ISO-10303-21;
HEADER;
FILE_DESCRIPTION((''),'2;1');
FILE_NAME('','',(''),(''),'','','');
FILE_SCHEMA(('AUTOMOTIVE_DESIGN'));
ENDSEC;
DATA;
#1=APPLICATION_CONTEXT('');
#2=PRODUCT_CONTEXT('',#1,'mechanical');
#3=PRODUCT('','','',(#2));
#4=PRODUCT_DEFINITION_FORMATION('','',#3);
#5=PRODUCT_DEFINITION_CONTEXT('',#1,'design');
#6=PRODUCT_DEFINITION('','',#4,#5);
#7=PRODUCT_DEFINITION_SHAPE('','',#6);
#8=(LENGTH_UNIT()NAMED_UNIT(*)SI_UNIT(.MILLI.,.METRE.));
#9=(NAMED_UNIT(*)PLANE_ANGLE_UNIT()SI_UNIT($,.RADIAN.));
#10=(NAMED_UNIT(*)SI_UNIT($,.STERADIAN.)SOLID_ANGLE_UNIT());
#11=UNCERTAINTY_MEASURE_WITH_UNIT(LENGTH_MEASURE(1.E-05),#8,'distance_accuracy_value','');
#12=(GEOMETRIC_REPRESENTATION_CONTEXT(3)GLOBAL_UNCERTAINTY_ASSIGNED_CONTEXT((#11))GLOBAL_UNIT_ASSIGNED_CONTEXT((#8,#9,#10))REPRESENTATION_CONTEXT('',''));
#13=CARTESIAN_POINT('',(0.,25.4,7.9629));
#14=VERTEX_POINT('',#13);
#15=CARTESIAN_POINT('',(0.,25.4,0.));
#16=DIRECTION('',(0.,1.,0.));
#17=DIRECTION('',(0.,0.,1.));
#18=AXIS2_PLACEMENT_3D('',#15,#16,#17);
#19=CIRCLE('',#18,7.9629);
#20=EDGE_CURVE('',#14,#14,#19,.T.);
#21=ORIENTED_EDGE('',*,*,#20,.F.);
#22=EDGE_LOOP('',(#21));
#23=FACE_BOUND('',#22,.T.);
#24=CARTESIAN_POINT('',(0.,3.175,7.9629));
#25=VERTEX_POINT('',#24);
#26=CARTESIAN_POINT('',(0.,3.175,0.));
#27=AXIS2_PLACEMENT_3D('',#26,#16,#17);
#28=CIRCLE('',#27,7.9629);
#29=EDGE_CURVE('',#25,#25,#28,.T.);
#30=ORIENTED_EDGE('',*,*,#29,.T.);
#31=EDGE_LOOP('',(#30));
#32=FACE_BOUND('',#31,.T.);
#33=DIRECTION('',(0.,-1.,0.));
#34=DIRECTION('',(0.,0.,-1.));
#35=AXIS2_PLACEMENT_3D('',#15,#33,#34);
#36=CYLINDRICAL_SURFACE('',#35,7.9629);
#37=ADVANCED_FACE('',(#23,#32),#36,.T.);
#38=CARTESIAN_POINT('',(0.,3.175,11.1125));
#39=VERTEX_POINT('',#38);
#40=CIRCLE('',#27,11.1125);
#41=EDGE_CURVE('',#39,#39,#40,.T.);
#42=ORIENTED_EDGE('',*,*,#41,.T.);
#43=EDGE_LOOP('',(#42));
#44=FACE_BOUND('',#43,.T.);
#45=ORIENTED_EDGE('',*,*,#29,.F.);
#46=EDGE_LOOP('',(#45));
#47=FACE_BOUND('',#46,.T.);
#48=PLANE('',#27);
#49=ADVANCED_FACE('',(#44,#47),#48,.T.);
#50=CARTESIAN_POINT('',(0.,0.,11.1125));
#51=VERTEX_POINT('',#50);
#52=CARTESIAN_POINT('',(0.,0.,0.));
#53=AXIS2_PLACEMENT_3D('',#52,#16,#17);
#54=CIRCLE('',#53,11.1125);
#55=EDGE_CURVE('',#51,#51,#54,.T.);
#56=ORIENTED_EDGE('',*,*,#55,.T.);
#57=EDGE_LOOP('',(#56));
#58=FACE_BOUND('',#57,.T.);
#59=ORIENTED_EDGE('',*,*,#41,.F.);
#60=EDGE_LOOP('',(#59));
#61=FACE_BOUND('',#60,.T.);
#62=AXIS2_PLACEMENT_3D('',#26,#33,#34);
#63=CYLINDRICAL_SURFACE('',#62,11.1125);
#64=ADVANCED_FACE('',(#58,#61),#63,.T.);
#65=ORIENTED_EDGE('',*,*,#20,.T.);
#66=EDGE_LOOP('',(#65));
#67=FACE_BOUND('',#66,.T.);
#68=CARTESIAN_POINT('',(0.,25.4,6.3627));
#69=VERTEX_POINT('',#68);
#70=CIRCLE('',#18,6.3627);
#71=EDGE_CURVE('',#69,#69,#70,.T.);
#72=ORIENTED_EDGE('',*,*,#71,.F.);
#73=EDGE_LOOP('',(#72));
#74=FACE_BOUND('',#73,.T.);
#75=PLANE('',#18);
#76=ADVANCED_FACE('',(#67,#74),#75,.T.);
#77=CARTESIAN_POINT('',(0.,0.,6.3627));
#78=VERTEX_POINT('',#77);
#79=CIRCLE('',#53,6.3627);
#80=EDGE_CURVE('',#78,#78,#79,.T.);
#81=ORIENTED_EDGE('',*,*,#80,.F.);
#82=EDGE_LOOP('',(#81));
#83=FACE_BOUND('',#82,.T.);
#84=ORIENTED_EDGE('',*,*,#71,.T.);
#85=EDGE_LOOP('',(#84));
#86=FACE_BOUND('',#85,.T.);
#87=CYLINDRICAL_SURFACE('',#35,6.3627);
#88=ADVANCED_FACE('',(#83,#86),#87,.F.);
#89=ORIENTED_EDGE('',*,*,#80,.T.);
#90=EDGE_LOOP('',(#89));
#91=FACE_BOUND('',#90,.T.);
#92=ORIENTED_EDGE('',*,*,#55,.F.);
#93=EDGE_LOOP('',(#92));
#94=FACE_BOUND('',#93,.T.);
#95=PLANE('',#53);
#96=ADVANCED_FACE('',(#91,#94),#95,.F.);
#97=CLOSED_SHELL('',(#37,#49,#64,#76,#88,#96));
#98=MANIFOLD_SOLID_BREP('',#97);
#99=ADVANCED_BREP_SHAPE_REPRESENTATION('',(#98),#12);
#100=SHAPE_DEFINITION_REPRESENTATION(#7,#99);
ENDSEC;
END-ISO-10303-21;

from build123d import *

# Parameters (mm, degrees)
SKETCH2_R           = 7.9629
SKETCH2_R_2         = 6.3627
BOSS_EXTRUDE1_DEPTH = 25.4
SKETCH3_R           = 11.1125
SKETCH3_R_2         = 7.9629
BOSS_EXTRUDE2_DEPTH = 3.175


with BuildPart() as part:
    # Sketch2 → Boss-Extrude1 (new body)
    with BuildSketch(Plane(origin=(0, 0, 0), x_dir=(1, 0, 0), z_dir=(0, 1, 0))):
        Circle(SKETCH2_R)
        Circle(SKETCH2_R_2, mode=Mode.SUBTRACT)
    extrude(amount=BOSS_EXTRUDE1_DEPTH)

    # Sketch3 → Boss-Extrude2 (add)
    with BuildSketch(Plane(origin=(0, 0, 0), x_dir=(1, 0, 0), z_dir=(0, 1, 0))):
        Circle(SKETCH3_R)
        Circle(SKETCH3_R_2, mode=Mode.SUBTRACT)
    extrude(amount=BOSS_EXTRUDE2_DEPTH)


solid = part.part
